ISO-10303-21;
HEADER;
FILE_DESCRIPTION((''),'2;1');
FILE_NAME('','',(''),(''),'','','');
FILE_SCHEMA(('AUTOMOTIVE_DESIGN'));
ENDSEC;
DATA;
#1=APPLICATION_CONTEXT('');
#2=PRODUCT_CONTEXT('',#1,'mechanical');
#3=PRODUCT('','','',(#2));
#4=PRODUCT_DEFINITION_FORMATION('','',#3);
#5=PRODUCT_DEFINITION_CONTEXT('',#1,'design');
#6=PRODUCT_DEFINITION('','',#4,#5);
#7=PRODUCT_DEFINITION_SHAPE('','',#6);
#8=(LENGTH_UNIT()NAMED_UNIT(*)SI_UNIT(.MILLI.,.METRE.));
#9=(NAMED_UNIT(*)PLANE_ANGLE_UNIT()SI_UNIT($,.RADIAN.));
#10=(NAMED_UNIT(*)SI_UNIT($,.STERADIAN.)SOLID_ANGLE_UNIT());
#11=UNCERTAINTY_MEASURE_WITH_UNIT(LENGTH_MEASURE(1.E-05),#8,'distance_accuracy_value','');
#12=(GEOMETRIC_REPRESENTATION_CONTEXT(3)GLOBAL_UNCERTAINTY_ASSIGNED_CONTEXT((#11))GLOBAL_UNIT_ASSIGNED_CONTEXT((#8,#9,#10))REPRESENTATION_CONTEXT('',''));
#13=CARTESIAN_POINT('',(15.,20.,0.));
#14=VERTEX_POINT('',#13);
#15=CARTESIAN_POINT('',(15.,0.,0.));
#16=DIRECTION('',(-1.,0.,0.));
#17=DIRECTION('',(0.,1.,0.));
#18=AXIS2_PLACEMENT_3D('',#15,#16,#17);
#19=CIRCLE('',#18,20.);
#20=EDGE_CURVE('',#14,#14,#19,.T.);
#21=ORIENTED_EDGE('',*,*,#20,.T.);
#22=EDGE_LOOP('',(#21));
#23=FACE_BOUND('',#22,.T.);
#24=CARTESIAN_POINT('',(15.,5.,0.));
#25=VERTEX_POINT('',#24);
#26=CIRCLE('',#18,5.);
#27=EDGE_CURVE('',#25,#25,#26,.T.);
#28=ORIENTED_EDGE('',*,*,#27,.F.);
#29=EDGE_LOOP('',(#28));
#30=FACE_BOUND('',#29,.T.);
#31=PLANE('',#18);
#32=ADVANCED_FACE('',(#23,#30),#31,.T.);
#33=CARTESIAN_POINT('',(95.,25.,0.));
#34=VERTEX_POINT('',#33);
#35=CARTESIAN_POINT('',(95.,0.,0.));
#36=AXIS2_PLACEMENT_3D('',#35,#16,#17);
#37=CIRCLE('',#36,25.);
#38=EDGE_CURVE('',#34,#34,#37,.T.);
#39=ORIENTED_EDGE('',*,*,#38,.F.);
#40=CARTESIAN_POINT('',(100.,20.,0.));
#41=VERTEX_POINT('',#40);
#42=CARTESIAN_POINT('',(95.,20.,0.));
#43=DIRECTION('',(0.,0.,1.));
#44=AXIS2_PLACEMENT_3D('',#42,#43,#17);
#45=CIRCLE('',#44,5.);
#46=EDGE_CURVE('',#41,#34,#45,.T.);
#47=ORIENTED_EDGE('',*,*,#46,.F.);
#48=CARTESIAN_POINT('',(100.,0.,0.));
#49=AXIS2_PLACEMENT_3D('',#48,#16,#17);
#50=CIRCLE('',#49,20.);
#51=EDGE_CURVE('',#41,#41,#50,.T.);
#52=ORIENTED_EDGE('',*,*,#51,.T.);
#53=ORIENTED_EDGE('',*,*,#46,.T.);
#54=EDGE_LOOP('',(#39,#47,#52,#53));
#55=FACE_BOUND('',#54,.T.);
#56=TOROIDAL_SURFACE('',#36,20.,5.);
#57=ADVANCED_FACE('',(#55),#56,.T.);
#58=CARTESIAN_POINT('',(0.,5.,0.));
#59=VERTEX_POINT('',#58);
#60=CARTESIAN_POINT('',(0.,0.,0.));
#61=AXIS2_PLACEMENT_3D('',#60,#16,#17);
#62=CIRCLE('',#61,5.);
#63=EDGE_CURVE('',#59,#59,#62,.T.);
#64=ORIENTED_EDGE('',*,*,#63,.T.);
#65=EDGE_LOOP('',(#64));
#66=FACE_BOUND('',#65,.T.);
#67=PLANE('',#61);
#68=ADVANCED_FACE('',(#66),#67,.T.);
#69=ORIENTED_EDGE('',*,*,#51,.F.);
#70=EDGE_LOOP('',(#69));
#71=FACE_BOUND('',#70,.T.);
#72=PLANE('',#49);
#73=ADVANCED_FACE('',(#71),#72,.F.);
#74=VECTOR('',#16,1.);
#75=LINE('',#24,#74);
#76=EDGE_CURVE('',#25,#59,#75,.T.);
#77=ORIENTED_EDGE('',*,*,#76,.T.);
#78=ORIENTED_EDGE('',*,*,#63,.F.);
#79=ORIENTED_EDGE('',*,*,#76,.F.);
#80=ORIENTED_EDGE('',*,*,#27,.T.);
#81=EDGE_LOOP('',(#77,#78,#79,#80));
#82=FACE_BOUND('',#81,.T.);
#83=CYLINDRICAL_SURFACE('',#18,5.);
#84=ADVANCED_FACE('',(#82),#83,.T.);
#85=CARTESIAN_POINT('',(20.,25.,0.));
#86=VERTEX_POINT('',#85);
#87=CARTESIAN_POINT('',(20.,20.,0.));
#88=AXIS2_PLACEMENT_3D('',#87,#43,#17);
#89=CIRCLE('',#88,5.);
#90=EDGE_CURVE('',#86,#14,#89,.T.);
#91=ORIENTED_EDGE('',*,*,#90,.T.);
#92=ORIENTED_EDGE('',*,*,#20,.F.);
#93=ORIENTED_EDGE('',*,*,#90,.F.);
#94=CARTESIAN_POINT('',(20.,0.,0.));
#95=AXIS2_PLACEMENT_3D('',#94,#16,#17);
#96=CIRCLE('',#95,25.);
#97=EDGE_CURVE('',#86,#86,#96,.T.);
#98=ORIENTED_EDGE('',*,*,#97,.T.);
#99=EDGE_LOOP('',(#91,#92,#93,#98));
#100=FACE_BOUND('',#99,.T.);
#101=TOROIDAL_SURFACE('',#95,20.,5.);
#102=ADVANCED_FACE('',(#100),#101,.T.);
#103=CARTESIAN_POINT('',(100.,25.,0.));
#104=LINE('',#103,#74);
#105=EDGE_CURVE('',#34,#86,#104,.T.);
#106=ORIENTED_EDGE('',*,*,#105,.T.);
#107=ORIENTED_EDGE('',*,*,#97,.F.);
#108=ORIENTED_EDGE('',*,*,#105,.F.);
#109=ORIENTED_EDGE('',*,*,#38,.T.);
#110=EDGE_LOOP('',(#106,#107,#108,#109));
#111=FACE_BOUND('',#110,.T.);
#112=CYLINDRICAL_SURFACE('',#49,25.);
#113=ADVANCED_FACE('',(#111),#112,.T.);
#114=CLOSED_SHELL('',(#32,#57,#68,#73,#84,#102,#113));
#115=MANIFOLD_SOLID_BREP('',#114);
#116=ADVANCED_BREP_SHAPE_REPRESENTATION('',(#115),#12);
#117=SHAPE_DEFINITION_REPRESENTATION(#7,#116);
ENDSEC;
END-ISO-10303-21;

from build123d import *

# Parameters (mm, degrees)
F2_R = 5


with BuildPart() as f1:
    # F0 (on Top) → F1 (revolve)
    with BuildSketch(Plane.XY):
        Polygon((0, 5), (0, 0), (100, 0), (100, 25), (15, 25), (15, 5), align=None)
    revolve(axis=Axis((50, 0, 0), (-1, 0, 0)))

    # F2
    f2_edges = [f1.edges().sort_by_distance(p)[0] for p in [
        (15, -25, 0),
        (100, -25, 0),
    ]]
    fillet(f2_edges, radius=F2_R)


solid = f1.part
